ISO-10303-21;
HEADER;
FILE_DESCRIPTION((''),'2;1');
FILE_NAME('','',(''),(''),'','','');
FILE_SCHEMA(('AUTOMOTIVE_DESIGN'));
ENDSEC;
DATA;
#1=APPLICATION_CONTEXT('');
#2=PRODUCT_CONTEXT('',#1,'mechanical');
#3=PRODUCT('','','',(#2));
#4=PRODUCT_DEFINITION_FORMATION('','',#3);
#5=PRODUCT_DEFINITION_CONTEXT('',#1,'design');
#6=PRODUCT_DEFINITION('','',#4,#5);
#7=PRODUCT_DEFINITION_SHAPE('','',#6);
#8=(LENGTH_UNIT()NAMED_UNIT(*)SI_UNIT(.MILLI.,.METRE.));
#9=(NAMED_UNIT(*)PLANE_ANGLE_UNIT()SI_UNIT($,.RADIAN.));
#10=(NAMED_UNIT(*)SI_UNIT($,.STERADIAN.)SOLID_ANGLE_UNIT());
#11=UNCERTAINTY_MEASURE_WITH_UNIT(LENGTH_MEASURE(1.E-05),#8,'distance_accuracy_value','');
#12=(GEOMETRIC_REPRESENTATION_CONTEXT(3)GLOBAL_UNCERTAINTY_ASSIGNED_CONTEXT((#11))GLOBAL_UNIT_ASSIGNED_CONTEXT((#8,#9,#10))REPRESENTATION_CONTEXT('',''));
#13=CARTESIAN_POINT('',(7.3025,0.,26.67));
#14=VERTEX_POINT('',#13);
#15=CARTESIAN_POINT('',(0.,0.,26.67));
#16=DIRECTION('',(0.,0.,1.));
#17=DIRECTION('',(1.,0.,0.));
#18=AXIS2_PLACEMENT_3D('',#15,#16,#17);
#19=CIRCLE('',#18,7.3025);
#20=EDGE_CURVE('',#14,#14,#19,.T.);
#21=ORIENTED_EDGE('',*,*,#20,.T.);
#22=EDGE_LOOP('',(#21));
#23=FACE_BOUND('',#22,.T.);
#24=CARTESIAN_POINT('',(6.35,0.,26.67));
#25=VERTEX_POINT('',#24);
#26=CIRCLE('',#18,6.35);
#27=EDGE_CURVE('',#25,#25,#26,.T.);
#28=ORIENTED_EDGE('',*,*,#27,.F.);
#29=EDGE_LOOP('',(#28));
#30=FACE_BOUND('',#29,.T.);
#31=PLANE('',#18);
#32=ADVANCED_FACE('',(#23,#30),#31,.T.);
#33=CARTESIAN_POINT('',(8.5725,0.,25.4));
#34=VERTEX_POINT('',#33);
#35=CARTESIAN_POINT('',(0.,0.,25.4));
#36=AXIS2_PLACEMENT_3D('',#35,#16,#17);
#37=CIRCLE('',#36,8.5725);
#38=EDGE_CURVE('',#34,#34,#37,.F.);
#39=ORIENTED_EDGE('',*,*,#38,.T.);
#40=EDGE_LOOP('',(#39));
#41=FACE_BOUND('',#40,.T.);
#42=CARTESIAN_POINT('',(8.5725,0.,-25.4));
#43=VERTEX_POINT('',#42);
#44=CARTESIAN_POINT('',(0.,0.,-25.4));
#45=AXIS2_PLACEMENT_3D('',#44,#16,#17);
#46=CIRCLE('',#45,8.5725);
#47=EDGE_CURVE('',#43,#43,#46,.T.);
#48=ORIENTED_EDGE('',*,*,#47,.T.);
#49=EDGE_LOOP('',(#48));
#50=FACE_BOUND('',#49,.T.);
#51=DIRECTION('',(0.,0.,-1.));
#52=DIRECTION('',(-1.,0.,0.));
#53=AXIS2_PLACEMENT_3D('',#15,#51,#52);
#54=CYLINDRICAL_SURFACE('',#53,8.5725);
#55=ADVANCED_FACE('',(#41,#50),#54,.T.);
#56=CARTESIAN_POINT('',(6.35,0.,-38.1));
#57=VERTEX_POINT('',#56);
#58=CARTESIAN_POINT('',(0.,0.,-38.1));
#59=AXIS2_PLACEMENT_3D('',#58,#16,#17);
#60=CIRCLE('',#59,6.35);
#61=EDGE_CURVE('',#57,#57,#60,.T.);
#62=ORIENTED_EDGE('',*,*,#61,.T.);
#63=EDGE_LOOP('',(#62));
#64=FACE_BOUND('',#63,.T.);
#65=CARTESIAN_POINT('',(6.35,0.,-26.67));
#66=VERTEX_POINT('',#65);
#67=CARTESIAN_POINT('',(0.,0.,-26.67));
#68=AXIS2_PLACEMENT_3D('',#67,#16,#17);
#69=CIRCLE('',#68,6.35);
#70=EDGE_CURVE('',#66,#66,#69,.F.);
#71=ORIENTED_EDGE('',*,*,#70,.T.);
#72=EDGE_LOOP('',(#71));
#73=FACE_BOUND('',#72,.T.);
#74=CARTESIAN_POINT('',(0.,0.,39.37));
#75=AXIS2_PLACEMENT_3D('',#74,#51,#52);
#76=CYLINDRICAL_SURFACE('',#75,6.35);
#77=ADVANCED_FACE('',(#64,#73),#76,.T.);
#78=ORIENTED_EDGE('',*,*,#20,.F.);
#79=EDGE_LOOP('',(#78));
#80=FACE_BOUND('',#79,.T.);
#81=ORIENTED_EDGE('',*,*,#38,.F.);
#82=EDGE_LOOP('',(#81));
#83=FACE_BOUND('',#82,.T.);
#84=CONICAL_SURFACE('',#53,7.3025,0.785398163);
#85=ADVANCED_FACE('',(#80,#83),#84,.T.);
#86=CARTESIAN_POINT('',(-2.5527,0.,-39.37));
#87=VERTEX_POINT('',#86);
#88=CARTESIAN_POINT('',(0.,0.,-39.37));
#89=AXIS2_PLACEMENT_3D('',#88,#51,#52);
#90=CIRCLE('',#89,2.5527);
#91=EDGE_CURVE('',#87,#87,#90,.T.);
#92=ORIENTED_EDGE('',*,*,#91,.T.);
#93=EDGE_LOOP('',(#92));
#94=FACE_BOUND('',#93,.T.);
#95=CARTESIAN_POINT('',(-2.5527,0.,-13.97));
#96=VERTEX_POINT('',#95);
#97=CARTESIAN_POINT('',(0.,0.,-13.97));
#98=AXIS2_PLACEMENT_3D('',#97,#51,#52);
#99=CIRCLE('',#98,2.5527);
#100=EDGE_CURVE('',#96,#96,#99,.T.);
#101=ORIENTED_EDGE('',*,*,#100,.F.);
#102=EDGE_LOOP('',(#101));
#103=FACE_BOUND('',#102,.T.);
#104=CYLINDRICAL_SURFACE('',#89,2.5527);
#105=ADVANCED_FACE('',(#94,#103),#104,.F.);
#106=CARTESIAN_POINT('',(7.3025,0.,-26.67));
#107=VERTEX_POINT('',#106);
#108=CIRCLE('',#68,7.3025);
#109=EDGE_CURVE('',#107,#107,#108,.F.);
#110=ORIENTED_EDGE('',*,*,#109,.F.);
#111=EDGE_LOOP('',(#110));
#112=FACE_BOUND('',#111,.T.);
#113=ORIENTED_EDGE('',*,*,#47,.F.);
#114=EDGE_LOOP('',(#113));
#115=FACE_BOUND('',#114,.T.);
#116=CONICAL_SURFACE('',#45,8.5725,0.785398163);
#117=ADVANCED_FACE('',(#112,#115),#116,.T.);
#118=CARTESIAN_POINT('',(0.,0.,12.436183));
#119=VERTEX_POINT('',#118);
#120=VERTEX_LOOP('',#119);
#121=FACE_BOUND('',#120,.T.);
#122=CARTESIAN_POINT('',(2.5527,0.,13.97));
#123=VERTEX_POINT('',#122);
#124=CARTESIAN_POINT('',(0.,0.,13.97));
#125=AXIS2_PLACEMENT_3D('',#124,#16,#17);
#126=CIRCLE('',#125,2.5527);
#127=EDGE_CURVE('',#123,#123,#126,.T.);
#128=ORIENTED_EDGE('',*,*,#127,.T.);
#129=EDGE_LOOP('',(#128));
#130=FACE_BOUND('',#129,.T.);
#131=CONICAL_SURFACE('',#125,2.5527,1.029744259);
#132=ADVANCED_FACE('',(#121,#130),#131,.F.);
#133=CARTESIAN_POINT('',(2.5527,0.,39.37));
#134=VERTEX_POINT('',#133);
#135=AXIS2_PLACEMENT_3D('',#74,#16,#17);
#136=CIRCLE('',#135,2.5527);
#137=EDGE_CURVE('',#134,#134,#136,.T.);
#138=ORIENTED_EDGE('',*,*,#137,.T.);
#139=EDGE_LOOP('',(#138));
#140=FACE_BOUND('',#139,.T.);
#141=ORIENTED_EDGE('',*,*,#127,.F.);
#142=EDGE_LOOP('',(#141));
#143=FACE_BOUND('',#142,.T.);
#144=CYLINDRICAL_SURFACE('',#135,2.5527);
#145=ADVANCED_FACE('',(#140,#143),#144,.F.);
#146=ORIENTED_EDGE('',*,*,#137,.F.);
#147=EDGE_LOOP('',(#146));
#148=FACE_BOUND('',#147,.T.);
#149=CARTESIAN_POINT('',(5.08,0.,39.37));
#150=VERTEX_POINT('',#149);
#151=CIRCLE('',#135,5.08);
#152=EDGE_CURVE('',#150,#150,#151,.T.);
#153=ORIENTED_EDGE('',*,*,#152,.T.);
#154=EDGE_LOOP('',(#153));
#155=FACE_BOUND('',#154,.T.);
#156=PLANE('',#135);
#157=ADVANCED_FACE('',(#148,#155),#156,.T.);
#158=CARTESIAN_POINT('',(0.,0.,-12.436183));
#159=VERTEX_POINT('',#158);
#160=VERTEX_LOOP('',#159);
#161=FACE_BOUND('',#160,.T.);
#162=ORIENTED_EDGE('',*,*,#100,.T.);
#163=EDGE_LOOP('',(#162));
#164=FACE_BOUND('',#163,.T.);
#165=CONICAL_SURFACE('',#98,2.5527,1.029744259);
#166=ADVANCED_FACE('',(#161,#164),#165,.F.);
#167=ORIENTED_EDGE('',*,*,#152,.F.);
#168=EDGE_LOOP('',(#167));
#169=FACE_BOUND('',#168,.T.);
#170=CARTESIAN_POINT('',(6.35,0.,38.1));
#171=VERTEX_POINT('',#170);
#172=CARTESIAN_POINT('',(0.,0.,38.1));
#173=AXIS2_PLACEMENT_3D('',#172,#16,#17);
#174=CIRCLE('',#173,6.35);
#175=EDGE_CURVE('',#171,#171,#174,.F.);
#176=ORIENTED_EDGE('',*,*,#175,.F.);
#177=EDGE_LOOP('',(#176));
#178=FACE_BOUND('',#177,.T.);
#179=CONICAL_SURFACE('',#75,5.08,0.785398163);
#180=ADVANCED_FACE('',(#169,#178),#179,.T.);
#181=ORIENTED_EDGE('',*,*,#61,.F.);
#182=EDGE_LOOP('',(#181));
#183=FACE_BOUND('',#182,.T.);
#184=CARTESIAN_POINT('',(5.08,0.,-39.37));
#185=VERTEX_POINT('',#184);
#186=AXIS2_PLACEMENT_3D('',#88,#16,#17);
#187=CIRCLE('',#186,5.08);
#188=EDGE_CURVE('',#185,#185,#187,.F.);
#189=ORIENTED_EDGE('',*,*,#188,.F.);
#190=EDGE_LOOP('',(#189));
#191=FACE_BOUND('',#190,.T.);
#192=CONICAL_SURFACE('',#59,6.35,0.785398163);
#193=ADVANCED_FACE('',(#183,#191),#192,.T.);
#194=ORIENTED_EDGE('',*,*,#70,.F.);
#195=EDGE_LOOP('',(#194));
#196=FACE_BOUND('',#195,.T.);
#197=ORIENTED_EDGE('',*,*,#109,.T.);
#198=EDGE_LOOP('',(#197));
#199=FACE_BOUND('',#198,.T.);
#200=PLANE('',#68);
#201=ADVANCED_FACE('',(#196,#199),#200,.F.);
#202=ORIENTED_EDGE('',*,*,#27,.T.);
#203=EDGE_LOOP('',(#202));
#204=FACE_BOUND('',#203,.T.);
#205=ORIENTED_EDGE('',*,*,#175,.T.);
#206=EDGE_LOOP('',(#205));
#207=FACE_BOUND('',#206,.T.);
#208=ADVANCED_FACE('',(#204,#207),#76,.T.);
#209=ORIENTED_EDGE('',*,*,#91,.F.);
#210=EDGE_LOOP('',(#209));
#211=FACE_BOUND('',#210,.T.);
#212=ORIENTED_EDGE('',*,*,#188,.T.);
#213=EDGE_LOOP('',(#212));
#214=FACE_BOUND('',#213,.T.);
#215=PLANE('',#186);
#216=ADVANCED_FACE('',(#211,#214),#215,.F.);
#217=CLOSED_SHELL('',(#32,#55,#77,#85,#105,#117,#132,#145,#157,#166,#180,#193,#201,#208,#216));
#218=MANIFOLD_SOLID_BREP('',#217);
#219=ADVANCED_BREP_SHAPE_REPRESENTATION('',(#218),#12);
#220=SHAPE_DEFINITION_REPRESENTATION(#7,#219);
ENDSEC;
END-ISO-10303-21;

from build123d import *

# Parameters (mm, degrees)
SKETCH1_R                   = 8.5725
SKETCH1_R_2                 = 6.35
BOSS_EXTRUDE1_DEPTH         = 26.67
SKETCH2_R                   = 6.35
BOSS_EXTRUDE2_DEPTH         = 39.37
CHAMFER1_SIZE               = 1.27
F_1_4_20_TAPPED_HOLE1_D     = 5.1054
F_1_4_20_TAPPED_HOLE1_DEPTH = 25.4
F_1_4_20_TAPPED_HOLE1_TIP   = 1.533816902
F_1_4_20_TAPPED_HOLE2_D     = 5.1054
F_1_4_20_TAPPED_HOLE2_DEPTH = 25.4
F_1_4_20_TAPPED_HOLE2_TIP   = 1.533816902


with BuildPart() as part:
    # Sketch1 → Boss-Extrude1 (new body, symmetric)
    with BuildSketch(Plane.XY):
        Circle(SKETCH1_R)
        Circle(SKETCH1_R_2, mode=Mode.SUBTRACT)
    extrude(amount=BOSS_EXTRUDE1_DEPTH, both=True)

    # Sketch2 → Boss-Extrude2 (add, symmetric)
    with BuildSketch(Plane.XY):
        Circle(SKETCH2_R)
    extrude(amount=BOSS_EXTRUDE2_DEPTH, both=True)

    # Chamfer1
    chamfer1_edges = [part.edges().sort_by_distance(p)[0] for p in [
        (-8.5725, 0, -26.67),
        (-8.5725, 0, 26.67),
        (-6.35, 0, -39.37),
        (-6.35, 0, 39.37),
    ]]
    chamfer(chamfer1_edges, length=CHAMFER1_SIZE)

    # 1/4-20 Tapped Hole1
    with Locations(Plane(origin=(0, 0, -39.37), x_dir=(-1, 0, 0), z_dir=(0, 0, -1))):
        with Locations((0, 0)):
            Hole(F_1_4_20_TAPPED_HOLE1_D / 2, depth=F_1_4_20_TAPPED_HOLE1_DEPTH)
            with Locations((0, 0, -(F_1_4_20_TAPPED_HOLE1_DEPTH + F_1_4_20_TAPPED_HOLE1_TIP / 2))):  # 118° drill point
                Cone(0, F_1_4_20_TAPPED_HOLE1_D / 2, F_1_4_20_TAPPED_HOLE1_TIP, mode=Mode.SUBTRACT)

    # 1/4-20 Tapped Hole2
    with Locations(Plane.XY.offset(39.37)):
        with Locations((0, 0)):
            Hole(F_1_4_20_TAPPED_HOLE2_D / 2, depth=F_1_4_20_TAPPED_HOLE2_DEPTH)
            with Locations((0, 0, -(F_1_4_20_TAPPED_HOLE2_DEPTH + F_1_4_20_TAPPED_HOLE2_TIP / 2))):  # 118° drill point
                Cone(0, F_1_4_20_TAPPED_HOLE2_D / 2, F_1_4_20_TAPPED_HOLE2_TIP, mode=Mode.SUBTRACT)


solid = part.part
